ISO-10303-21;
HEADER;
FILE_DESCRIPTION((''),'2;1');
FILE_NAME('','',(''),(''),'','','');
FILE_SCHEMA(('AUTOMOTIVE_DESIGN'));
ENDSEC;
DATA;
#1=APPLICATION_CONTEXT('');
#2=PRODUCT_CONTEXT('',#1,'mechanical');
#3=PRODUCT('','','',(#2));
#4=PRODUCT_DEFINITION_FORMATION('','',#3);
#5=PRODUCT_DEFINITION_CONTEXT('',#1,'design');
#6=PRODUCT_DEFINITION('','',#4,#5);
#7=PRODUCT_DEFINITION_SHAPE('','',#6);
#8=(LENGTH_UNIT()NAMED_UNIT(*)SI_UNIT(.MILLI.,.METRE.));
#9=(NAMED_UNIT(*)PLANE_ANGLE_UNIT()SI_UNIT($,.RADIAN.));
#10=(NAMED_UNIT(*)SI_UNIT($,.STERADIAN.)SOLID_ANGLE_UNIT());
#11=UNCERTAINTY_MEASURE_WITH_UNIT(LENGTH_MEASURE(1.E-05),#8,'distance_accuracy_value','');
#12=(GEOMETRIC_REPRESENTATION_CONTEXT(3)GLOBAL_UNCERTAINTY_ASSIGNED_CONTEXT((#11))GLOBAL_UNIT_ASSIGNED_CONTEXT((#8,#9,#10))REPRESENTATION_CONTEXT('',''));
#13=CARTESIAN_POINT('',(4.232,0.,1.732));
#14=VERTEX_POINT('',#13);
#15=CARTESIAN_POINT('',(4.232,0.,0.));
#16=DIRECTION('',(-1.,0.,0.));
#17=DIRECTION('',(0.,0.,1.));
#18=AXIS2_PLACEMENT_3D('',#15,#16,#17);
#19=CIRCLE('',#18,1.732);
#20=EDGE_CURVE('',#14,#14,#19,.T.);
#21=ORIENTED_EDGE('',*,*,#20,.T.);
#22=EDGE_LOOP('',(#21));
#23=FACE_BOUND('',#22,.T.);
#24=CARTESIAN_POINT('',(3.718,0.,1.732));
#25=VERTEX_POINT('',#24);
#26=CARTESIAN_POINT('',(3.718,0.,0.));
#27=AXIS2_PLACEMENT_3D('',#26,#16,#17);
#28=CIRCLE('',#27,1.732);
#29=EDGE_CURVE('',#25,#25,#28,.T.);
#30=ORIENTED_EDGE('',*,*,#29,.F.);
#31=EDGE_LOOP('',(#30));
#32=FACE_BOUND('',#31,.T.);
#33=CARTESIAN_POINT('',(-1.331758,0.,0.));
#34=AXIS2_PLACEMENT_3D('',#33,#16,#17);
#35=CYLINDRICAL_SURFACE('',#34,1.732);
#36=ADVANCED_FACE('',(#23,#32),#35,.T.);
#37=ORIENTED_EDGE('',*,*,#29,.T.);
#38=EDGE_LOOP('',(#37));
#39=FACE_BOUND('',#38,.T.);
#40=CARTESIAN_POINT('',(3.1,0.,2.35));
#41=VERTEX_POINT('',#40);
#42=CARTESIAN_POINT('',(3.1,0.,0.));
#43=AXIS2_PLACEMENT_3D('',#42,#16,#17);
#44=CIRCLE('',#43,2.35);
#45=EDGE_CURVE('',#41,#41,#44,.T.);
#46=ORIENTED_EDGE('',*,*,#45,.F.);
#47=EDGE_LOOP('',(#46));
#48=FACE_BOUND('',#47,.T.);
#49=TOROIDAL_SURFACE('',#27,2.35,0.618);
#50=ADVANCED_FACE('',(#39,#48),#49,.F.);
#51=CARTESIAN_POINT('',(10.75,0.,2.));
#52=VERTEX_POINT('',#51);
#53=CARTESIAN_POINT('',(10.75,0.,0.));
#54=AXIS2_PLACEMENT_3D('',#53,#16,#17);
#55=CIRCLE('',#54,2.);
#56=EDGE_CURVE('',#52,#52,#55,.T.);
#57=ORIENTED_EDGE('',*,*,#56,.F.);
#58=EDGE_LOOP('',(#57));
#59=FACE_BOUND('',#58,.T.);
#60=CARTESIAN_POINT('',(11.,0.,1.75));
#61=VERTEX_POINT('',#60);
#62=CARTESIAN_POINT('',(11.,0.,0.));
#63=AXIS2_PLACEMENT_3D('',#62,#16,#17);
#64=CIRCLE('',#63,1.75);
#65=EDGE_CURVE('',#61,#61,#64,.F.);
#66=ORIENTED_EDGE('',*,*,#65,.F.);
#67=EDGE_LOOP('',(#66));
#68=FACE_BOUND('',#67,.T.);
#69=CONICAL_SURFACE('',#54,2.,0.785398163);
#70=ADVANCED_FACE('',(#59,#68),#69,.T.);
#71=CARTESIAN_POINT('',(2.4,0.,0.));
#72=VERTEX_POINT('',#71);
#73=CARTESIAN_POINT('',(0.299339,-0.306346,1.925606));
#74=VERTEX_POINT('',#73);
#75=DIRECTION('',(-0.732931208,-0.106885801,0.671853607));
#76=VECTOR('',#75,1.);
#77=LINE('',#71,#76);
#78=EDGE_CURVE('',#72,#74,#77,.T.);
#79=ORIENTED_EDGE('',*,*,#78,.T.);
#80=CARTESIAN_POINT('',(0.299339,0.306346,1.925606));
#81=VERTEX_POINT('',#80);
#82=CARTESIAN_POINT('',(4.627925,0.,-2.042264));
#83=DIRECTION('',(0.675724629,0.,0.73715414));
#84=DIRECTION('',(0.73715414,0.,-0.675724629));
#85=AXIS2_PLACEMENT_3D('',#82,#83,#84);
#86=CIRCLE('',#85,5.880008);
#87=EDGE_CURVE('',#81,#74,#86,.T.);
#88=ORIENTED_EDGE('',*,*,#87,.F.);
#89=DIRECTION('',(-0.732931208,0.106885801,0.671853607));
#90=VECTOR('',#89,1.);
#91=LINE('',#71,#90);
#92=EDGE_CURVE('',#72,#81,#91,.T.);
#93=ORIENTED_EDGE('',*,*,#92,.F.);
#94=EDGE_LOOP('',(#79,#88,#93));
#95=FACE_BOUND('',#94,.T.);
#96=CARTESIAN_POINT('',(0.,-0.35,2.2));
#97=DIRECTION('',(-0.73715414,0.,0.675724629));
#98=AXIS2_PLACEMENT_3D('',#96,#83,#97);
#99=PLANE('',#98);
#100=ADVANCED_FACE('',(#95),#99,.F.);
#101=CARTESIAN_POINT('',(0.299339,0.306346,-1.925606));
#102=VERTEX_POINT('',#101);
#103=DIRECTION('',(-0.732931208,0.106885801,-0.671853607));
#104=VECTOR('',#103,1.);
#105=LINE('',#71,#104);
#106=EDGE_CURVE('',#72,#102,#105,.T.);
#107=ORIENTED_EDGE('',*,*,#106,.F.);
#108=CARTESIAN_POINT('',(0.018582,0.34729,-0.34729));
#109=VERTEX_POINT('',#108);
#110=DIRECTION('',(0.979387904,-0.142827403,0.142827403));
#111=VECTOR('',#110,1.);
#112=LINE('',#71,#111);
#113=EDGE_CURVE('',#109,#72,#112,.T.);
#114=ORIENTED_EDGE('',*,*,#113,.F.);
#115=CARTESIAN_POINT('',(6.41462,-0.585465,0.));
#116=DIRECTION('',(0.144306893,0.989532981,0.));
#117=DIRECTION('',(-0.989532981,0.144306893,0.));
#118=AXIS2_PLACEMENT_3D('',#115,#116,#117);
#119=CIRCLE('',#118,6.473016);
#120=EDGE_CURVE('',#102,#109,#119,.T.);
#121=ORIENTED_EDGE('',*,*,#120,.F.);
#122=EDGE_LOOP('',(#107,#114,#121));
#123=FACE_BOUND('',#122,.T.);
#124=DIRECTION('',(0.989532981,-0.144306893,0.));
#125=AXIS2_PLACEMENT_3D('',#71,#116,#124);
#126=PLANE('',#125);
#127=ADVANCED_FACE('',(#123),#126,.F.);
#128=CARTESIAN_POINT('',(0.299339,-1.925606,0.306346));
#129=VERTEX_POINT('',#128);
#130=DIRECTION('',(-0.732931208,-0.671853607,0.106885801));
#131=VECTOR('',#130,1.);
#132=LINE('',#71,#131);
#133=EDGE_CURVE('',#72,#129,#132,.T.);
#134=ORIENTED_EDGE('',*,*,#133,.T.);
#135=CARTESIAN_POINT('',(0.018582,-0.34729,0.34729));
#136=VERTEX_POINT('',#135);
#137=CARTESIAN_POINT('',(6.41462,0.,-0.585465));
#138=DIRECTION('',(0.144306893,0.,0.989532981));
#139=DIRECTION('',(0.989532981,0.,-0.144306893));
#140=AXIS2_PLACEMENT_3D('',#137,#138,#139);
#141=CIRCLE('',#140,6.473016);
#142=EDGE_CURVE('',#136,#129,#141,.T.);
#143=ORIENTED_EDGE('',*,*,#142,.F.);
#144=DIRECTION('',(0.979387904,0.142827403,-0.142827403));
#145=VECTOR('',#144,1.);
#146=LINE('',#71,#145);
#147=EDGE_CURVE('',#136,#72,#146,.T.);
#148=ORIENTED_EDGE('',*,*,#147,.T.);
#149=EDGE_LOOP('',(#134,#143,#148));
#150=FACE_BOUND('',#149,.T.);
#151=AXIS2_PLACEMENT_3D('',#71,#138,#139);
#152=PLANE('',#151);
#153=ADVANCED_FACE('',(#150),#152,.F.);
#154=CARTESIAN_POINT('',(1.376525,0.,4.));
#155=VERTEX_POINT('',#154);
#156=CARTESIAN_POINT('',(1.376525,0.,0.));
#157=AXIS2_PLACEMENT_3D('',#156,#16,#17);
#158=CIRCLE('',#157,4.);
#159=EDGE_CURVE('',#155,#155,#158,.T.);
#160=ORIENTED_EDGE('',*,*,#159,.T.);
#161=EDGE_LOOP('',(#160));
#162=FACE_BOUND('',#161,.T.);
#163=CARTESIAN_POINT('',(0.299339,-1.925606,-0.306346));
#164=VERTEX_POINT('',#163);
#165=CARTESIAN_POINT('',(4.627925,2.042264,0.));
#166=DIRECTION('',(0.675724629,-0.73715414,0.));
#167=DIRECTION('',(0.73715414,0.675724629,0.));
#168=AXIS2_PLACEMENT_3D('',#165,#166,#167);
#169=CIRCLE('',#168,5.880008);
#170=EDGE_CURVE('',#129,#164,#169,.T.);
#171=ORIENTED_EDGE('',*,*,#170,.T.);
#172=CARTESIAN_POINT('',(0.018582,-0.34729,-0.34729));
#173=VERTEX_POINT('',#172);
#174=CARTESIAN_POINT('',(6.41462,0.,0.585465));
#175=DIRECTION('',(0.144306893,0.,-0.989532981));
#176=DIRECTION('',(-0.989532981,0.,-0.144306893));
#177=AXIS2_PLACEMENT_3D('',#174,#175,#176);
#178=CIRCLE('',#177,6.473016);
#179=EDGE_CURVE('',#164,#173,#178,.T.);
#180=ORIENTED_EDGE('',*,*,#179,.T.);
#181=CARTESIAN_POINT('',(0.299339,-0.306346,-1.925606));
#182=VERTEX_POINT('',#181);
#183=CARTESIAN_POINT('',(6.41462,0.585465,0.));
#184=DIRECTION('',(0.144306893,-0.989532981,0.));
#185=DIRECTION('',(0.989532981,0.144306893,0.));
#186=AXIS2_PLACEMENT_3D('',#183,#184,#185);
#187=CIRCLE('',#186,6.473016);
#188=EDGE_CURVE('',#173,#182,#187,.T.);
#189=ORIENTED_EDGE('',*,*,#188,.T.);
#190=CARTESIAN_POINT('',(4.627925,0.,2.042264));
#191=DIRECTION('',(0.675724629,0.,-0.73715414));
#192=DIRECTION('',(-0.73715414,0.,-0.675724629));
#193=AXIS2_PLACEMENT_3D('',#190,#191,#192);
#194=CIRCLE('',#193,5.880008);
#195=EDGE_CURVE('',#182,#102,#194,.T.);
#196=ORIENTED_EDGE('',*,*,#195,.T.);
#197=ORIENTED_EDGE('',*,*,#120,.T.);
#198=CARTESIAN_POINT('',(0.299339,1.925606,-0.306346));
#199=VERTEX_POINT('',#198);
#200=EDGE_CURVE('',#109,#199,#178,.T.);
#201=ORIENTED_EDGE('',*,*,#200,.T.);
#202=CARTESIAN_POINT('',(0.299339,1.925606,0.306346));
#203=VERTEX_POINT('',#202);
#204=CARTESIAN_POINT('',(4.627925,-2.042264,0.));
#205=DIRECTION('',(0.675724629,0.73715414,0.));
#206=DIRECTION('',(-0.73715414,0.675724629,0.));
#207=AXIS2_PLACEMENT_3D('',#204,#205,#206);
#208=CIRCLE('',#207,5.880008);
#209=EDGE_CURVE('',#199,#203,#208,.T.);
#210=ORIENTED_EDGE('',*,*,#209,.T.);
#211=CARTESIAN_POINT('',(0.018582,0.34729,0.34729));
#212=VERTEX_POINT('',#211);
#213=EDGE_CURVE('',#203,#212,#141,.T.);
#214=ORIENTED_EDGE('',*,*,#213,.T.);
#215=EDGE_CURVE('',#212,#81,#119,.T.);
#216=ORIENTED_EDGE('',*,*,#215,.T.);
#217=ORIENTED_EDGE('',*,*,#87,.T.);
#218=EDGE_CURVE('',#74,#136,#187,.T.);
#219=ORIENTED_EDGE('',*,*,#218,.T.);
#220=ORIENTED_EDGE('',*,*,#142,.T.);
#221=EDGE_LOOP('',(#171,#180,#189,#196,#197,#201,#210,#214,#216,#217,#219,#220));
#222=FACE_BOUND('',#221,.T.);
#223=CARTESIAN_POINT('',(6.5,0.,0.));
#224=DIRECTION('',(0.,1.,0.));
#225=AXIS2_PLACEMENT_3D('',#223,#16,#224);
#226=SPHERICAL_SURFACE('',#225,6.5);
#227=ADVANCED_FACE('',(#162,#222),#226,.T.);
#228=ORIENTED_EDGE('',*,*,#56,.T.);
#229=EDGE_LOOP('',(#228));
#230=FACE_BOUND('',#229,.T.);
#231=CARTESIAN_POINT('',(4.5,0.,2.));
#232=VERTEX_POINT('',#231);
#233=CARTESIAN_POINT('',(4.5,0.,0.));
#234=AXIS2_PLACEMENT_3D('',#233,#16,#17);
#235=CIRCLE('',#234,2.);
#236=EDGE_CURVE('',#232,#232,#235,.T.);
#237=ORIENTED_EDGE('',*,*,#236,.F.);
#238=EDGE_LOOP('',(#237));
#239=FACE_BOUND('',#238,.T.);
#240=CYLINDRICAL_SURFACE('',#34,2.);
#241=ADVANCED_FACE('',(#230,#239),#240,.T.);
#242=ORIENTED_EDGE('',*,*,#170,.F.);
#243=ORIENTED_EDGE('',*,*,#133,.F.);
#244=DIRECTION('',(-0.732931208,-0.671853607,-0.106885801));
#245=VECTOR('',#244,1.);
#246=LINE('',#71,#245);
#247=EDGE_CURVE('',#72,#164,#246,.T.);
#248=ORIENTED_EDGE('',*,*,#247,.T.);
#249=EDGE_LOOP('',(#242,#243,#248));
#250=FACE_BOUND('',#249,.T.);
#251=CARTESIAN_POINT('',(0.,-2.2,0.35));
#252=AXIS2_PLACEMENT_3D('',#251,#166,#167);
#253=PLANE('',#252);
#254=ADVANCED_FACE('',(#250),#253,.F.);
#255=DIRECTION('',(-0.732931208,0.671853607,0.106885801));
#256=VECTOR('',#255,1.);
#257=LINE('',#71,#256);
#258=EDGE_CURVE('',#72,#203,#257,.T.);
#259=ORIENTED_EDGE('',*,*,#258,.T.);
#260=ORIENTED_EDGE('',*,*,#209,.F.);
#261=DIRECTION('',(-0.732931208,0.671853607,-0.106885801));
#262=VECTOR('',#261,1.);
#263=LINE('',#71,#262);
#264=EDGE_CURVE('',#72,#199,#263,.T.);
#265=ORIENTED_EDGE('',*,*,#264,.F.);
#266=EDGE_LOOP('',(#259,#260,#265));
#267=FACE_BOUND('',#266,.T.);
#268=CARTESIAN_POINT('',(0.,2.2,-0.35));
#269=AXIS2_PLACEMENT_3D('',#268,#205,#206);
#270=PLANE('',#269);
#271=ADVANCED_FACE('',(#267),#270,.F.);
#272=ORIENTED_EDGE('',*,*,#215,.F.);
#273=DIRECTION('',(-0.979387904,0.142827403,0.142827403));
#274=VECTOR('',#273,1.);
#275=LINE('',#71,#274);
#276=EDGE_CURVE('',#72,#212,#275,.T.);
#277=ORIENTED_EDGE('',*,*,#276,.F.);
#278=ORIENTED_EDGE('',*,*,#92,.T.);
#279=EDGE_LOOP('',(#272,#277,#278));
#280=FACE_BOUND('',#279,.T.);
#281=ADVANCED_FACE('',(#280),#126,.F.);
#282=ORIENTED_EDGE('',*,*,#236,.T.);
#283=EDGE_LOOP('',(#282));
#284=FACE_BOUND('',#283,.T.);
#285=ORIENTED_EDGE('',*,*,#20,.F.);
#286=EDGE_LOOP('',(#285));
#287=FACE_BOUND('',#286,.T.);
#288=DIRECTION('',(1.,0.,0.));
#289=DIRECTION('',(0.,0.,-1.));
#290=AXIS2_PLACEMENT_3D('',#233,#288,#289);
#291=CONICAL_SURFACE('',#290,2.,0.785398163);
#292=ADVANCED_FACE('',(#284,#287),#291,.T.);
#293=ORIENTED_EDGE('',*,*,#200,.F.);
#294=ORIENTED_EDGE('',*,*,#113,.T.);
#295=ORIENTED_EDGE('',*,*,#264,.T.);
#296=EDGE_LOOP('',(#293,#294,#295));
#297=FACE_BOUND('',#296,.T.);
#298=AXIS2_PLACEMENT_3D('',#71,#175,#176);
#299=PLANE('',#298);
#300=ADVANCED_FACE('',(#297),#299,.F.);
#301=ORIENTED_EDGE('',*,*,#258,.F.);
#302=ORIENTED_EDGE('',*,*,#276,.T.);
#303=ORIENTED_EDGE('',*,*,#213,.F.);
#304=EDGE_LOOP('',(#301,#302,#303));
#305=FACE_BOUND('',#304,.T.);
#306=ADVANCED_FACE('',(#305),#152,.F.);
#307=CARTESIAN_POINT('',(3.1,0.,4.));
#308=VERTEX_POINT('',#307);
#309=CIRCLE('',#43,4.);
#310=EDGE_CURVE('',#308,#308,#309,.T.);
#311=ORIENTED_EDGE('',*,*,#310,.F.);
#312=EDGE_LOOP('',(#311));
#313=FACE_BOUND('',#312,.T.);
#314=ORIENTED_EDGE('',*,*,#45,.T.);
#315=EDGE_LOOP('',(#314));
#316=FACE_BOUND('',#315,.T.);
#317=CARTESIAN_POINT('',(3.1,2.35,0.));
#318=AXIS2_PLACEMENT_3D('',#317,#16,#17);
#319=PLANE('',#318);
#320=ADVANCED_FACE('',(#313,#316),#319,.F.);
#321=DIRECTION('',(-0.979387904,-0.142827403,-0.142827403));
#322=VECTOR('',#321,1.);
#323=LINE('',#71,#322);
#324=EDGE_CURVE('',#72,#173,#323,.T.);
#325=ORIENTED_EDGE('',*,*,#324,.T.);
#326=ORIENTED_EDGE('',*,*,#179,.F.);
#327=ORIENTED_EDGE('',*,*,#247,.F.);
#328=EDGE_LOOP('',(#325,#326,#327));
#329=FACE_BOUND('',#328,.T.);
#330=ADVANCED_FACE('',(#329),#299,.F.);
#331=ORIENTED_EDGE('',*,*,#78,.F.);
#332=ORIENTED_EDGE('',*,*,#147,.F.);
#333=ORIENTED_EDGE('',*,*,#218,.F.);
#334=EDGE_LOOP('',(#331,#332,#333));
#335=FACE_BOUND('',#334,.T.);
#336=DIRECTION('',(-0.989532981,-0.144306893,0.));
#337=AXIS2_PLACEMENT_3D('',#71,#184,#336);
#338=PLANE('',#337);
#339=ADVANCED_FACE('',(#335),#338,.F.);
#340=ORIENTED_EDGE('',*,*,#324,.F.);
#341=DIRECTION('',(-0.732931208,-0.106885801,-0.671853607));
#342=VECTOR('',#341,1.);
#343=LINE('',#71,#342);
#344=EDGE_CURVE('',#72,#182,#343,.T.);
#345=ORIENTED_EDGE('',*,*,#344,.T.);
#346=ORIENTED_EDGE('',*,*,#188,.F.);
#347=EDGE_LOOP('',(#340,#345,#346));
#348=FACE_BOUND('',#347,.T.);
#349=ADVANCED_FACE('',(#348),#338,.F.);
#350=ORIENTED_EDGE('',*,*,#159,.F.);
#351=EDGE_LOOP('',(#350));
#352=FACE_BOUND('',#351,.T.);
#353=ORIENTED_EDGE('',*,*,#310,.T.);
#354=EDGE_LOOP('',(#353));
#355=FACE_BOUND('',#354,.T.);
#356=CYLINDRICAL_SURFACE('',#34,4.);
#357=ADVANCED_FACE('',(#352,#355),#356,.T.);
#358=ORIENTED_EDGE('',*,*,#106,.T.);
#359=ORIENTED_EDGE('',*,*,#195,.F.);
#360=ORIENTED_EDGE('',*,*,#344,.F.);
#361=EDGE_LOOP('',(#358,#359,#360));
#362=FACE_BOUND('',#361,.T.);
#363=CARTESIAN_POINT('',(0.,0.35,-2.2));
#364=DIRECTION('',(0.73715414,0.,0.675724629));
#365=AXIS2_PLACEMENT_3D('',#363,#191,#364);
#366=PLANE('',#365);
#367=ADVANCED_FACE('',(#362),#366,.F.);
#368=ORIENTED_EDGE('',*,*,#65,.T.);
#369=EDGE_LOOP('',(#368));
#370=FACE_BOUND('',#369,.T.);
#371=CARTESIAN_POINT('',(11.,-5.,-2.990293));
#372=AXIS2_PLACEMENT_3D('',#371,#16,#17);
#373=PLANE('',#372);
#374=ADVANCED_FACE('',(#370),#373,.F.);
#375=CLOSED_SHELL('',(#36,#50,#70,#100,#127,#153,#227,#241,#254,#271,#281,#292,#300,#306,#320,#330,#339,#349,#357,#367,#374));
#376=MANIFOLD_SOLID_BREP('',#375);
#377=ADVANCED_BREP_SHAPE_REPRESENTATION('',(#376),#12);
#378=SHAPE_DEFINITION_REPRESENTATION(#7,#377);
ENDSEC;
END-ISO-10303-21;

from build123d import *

# Parameters (mm, degrees)
SKETCH_7_W          = 8.1700084
SKETCH_7_H          = 5.261512758
CUT_EXTRUDE_1_DEPTH = 5
CHAMFER_1_SIZE      = 0.25


with BuildPart() as part:
    # 草图2 → Revolve 707 (revolve)
    with BuildSketch(Plane.XY, mode=Mode.PRIVATE) as revolve_707_sk:
        with BuildLine():
            Line((0, 0), (17.1, 0))
            Line((17.1, 0), (17.1, 2))
            Line((17.1, 2), (4.5, 2))
            Line((4.5, 2), (4.232, 1.732))
            Line((4.232, 1.732), (3.718, 1.732))
            ThreePointArc((3.718, 1.732), (3.281008009, 1.913008009), (3.1, 2.35))
            Line((3.1, 2.35), (3.1, 4))
            Line((3.1, 4), (1.376524617, 4))
            ThreePointArc((1.376524617, 4), (0.353757652, 2.115113473), (0, 0))
        make_face()
    revolve(revolve_707_sk.sketch.rotate(Axis((-1.331757704, 0, 0), (1, 0, 0)), 90), axis=Axis((-1.331757704, 0, 0), (1, 0, 0)))

    # 草图3 → 切除-旋转1 (revolve, cut)
    with BuildSketch(Plane.XY, mode=Mode.PRIVATE) as cut_revolve_1_sk:
        Polygon((16.753791204, 2), (17.453791204, 2), (17.1, 1.3938), align=None)
    revolve(cut_revolve_1_sk.sketch.rotate(Axis((-0.242766179, 0, 0), (1, 0, 0)), 90), axis=Axis((-0.242766179, 0, 0), (1, 0, 0)), mode=Mode.SUBTRACT)

    # 草图5 → 切除-放样1 section 0
    with BuildSketch(Plane(origin=(0, 0, 0), x_dir=(0, 0, -1), z_dir=(1, 0, 0)), mode=Mode.PRIVATE) as loft_1_s0:
        with BuildLine():
            Line((0.35, 2.2), (-0.35, 2.2))
            Line((-0.35, 2.2), (-0.35, -2.2))
            Line((-0.35, -2.2), (0.35, -2.2))
            Line((0.35, -2.2), (0.35, 2.2))
        make_face()
    loft_1 = loft([Vertex(2.4, 0, 0), loft_1_s0.sketch], mode=Mode.SUBTRACT)

    # 镜向1: 切除-放样1 across plane
    add(loft_1.mirror(Plane(origin=(0, 0, 0), x_dir=(0, 0.7071067811865462, 0.7071067811865488), z_dir=(0, -0.7071067811865488, 0.7071067811865462))), mode=Mode.SUBTRACT)

    # 草图7 → 切除-拉伸1 (cut, symmetric)
    with BuildSketch(Plane(origin=(0, 0, 0), x_dir=(1, 0, 0), z_dir=(0, 1, 0))):
        with Locations((15.0850042, 0.359536705)):
            Rectangle(SKETCH_7_W, SKETCH_7_H)
    extrude(amount=CUT_EXTRUDE_1_DEPTH, both=True, mode=Mode.SUBTRACT)

    # 倒角1
    chamfer_1_edges = [part.edges().sort_by_distance(p)[0] for p in [
        (11, 0, -2),
    ]]
    chamfer(chamfer_1_edges, length=CHAMFER_1_SIZE)


solid = part.part
